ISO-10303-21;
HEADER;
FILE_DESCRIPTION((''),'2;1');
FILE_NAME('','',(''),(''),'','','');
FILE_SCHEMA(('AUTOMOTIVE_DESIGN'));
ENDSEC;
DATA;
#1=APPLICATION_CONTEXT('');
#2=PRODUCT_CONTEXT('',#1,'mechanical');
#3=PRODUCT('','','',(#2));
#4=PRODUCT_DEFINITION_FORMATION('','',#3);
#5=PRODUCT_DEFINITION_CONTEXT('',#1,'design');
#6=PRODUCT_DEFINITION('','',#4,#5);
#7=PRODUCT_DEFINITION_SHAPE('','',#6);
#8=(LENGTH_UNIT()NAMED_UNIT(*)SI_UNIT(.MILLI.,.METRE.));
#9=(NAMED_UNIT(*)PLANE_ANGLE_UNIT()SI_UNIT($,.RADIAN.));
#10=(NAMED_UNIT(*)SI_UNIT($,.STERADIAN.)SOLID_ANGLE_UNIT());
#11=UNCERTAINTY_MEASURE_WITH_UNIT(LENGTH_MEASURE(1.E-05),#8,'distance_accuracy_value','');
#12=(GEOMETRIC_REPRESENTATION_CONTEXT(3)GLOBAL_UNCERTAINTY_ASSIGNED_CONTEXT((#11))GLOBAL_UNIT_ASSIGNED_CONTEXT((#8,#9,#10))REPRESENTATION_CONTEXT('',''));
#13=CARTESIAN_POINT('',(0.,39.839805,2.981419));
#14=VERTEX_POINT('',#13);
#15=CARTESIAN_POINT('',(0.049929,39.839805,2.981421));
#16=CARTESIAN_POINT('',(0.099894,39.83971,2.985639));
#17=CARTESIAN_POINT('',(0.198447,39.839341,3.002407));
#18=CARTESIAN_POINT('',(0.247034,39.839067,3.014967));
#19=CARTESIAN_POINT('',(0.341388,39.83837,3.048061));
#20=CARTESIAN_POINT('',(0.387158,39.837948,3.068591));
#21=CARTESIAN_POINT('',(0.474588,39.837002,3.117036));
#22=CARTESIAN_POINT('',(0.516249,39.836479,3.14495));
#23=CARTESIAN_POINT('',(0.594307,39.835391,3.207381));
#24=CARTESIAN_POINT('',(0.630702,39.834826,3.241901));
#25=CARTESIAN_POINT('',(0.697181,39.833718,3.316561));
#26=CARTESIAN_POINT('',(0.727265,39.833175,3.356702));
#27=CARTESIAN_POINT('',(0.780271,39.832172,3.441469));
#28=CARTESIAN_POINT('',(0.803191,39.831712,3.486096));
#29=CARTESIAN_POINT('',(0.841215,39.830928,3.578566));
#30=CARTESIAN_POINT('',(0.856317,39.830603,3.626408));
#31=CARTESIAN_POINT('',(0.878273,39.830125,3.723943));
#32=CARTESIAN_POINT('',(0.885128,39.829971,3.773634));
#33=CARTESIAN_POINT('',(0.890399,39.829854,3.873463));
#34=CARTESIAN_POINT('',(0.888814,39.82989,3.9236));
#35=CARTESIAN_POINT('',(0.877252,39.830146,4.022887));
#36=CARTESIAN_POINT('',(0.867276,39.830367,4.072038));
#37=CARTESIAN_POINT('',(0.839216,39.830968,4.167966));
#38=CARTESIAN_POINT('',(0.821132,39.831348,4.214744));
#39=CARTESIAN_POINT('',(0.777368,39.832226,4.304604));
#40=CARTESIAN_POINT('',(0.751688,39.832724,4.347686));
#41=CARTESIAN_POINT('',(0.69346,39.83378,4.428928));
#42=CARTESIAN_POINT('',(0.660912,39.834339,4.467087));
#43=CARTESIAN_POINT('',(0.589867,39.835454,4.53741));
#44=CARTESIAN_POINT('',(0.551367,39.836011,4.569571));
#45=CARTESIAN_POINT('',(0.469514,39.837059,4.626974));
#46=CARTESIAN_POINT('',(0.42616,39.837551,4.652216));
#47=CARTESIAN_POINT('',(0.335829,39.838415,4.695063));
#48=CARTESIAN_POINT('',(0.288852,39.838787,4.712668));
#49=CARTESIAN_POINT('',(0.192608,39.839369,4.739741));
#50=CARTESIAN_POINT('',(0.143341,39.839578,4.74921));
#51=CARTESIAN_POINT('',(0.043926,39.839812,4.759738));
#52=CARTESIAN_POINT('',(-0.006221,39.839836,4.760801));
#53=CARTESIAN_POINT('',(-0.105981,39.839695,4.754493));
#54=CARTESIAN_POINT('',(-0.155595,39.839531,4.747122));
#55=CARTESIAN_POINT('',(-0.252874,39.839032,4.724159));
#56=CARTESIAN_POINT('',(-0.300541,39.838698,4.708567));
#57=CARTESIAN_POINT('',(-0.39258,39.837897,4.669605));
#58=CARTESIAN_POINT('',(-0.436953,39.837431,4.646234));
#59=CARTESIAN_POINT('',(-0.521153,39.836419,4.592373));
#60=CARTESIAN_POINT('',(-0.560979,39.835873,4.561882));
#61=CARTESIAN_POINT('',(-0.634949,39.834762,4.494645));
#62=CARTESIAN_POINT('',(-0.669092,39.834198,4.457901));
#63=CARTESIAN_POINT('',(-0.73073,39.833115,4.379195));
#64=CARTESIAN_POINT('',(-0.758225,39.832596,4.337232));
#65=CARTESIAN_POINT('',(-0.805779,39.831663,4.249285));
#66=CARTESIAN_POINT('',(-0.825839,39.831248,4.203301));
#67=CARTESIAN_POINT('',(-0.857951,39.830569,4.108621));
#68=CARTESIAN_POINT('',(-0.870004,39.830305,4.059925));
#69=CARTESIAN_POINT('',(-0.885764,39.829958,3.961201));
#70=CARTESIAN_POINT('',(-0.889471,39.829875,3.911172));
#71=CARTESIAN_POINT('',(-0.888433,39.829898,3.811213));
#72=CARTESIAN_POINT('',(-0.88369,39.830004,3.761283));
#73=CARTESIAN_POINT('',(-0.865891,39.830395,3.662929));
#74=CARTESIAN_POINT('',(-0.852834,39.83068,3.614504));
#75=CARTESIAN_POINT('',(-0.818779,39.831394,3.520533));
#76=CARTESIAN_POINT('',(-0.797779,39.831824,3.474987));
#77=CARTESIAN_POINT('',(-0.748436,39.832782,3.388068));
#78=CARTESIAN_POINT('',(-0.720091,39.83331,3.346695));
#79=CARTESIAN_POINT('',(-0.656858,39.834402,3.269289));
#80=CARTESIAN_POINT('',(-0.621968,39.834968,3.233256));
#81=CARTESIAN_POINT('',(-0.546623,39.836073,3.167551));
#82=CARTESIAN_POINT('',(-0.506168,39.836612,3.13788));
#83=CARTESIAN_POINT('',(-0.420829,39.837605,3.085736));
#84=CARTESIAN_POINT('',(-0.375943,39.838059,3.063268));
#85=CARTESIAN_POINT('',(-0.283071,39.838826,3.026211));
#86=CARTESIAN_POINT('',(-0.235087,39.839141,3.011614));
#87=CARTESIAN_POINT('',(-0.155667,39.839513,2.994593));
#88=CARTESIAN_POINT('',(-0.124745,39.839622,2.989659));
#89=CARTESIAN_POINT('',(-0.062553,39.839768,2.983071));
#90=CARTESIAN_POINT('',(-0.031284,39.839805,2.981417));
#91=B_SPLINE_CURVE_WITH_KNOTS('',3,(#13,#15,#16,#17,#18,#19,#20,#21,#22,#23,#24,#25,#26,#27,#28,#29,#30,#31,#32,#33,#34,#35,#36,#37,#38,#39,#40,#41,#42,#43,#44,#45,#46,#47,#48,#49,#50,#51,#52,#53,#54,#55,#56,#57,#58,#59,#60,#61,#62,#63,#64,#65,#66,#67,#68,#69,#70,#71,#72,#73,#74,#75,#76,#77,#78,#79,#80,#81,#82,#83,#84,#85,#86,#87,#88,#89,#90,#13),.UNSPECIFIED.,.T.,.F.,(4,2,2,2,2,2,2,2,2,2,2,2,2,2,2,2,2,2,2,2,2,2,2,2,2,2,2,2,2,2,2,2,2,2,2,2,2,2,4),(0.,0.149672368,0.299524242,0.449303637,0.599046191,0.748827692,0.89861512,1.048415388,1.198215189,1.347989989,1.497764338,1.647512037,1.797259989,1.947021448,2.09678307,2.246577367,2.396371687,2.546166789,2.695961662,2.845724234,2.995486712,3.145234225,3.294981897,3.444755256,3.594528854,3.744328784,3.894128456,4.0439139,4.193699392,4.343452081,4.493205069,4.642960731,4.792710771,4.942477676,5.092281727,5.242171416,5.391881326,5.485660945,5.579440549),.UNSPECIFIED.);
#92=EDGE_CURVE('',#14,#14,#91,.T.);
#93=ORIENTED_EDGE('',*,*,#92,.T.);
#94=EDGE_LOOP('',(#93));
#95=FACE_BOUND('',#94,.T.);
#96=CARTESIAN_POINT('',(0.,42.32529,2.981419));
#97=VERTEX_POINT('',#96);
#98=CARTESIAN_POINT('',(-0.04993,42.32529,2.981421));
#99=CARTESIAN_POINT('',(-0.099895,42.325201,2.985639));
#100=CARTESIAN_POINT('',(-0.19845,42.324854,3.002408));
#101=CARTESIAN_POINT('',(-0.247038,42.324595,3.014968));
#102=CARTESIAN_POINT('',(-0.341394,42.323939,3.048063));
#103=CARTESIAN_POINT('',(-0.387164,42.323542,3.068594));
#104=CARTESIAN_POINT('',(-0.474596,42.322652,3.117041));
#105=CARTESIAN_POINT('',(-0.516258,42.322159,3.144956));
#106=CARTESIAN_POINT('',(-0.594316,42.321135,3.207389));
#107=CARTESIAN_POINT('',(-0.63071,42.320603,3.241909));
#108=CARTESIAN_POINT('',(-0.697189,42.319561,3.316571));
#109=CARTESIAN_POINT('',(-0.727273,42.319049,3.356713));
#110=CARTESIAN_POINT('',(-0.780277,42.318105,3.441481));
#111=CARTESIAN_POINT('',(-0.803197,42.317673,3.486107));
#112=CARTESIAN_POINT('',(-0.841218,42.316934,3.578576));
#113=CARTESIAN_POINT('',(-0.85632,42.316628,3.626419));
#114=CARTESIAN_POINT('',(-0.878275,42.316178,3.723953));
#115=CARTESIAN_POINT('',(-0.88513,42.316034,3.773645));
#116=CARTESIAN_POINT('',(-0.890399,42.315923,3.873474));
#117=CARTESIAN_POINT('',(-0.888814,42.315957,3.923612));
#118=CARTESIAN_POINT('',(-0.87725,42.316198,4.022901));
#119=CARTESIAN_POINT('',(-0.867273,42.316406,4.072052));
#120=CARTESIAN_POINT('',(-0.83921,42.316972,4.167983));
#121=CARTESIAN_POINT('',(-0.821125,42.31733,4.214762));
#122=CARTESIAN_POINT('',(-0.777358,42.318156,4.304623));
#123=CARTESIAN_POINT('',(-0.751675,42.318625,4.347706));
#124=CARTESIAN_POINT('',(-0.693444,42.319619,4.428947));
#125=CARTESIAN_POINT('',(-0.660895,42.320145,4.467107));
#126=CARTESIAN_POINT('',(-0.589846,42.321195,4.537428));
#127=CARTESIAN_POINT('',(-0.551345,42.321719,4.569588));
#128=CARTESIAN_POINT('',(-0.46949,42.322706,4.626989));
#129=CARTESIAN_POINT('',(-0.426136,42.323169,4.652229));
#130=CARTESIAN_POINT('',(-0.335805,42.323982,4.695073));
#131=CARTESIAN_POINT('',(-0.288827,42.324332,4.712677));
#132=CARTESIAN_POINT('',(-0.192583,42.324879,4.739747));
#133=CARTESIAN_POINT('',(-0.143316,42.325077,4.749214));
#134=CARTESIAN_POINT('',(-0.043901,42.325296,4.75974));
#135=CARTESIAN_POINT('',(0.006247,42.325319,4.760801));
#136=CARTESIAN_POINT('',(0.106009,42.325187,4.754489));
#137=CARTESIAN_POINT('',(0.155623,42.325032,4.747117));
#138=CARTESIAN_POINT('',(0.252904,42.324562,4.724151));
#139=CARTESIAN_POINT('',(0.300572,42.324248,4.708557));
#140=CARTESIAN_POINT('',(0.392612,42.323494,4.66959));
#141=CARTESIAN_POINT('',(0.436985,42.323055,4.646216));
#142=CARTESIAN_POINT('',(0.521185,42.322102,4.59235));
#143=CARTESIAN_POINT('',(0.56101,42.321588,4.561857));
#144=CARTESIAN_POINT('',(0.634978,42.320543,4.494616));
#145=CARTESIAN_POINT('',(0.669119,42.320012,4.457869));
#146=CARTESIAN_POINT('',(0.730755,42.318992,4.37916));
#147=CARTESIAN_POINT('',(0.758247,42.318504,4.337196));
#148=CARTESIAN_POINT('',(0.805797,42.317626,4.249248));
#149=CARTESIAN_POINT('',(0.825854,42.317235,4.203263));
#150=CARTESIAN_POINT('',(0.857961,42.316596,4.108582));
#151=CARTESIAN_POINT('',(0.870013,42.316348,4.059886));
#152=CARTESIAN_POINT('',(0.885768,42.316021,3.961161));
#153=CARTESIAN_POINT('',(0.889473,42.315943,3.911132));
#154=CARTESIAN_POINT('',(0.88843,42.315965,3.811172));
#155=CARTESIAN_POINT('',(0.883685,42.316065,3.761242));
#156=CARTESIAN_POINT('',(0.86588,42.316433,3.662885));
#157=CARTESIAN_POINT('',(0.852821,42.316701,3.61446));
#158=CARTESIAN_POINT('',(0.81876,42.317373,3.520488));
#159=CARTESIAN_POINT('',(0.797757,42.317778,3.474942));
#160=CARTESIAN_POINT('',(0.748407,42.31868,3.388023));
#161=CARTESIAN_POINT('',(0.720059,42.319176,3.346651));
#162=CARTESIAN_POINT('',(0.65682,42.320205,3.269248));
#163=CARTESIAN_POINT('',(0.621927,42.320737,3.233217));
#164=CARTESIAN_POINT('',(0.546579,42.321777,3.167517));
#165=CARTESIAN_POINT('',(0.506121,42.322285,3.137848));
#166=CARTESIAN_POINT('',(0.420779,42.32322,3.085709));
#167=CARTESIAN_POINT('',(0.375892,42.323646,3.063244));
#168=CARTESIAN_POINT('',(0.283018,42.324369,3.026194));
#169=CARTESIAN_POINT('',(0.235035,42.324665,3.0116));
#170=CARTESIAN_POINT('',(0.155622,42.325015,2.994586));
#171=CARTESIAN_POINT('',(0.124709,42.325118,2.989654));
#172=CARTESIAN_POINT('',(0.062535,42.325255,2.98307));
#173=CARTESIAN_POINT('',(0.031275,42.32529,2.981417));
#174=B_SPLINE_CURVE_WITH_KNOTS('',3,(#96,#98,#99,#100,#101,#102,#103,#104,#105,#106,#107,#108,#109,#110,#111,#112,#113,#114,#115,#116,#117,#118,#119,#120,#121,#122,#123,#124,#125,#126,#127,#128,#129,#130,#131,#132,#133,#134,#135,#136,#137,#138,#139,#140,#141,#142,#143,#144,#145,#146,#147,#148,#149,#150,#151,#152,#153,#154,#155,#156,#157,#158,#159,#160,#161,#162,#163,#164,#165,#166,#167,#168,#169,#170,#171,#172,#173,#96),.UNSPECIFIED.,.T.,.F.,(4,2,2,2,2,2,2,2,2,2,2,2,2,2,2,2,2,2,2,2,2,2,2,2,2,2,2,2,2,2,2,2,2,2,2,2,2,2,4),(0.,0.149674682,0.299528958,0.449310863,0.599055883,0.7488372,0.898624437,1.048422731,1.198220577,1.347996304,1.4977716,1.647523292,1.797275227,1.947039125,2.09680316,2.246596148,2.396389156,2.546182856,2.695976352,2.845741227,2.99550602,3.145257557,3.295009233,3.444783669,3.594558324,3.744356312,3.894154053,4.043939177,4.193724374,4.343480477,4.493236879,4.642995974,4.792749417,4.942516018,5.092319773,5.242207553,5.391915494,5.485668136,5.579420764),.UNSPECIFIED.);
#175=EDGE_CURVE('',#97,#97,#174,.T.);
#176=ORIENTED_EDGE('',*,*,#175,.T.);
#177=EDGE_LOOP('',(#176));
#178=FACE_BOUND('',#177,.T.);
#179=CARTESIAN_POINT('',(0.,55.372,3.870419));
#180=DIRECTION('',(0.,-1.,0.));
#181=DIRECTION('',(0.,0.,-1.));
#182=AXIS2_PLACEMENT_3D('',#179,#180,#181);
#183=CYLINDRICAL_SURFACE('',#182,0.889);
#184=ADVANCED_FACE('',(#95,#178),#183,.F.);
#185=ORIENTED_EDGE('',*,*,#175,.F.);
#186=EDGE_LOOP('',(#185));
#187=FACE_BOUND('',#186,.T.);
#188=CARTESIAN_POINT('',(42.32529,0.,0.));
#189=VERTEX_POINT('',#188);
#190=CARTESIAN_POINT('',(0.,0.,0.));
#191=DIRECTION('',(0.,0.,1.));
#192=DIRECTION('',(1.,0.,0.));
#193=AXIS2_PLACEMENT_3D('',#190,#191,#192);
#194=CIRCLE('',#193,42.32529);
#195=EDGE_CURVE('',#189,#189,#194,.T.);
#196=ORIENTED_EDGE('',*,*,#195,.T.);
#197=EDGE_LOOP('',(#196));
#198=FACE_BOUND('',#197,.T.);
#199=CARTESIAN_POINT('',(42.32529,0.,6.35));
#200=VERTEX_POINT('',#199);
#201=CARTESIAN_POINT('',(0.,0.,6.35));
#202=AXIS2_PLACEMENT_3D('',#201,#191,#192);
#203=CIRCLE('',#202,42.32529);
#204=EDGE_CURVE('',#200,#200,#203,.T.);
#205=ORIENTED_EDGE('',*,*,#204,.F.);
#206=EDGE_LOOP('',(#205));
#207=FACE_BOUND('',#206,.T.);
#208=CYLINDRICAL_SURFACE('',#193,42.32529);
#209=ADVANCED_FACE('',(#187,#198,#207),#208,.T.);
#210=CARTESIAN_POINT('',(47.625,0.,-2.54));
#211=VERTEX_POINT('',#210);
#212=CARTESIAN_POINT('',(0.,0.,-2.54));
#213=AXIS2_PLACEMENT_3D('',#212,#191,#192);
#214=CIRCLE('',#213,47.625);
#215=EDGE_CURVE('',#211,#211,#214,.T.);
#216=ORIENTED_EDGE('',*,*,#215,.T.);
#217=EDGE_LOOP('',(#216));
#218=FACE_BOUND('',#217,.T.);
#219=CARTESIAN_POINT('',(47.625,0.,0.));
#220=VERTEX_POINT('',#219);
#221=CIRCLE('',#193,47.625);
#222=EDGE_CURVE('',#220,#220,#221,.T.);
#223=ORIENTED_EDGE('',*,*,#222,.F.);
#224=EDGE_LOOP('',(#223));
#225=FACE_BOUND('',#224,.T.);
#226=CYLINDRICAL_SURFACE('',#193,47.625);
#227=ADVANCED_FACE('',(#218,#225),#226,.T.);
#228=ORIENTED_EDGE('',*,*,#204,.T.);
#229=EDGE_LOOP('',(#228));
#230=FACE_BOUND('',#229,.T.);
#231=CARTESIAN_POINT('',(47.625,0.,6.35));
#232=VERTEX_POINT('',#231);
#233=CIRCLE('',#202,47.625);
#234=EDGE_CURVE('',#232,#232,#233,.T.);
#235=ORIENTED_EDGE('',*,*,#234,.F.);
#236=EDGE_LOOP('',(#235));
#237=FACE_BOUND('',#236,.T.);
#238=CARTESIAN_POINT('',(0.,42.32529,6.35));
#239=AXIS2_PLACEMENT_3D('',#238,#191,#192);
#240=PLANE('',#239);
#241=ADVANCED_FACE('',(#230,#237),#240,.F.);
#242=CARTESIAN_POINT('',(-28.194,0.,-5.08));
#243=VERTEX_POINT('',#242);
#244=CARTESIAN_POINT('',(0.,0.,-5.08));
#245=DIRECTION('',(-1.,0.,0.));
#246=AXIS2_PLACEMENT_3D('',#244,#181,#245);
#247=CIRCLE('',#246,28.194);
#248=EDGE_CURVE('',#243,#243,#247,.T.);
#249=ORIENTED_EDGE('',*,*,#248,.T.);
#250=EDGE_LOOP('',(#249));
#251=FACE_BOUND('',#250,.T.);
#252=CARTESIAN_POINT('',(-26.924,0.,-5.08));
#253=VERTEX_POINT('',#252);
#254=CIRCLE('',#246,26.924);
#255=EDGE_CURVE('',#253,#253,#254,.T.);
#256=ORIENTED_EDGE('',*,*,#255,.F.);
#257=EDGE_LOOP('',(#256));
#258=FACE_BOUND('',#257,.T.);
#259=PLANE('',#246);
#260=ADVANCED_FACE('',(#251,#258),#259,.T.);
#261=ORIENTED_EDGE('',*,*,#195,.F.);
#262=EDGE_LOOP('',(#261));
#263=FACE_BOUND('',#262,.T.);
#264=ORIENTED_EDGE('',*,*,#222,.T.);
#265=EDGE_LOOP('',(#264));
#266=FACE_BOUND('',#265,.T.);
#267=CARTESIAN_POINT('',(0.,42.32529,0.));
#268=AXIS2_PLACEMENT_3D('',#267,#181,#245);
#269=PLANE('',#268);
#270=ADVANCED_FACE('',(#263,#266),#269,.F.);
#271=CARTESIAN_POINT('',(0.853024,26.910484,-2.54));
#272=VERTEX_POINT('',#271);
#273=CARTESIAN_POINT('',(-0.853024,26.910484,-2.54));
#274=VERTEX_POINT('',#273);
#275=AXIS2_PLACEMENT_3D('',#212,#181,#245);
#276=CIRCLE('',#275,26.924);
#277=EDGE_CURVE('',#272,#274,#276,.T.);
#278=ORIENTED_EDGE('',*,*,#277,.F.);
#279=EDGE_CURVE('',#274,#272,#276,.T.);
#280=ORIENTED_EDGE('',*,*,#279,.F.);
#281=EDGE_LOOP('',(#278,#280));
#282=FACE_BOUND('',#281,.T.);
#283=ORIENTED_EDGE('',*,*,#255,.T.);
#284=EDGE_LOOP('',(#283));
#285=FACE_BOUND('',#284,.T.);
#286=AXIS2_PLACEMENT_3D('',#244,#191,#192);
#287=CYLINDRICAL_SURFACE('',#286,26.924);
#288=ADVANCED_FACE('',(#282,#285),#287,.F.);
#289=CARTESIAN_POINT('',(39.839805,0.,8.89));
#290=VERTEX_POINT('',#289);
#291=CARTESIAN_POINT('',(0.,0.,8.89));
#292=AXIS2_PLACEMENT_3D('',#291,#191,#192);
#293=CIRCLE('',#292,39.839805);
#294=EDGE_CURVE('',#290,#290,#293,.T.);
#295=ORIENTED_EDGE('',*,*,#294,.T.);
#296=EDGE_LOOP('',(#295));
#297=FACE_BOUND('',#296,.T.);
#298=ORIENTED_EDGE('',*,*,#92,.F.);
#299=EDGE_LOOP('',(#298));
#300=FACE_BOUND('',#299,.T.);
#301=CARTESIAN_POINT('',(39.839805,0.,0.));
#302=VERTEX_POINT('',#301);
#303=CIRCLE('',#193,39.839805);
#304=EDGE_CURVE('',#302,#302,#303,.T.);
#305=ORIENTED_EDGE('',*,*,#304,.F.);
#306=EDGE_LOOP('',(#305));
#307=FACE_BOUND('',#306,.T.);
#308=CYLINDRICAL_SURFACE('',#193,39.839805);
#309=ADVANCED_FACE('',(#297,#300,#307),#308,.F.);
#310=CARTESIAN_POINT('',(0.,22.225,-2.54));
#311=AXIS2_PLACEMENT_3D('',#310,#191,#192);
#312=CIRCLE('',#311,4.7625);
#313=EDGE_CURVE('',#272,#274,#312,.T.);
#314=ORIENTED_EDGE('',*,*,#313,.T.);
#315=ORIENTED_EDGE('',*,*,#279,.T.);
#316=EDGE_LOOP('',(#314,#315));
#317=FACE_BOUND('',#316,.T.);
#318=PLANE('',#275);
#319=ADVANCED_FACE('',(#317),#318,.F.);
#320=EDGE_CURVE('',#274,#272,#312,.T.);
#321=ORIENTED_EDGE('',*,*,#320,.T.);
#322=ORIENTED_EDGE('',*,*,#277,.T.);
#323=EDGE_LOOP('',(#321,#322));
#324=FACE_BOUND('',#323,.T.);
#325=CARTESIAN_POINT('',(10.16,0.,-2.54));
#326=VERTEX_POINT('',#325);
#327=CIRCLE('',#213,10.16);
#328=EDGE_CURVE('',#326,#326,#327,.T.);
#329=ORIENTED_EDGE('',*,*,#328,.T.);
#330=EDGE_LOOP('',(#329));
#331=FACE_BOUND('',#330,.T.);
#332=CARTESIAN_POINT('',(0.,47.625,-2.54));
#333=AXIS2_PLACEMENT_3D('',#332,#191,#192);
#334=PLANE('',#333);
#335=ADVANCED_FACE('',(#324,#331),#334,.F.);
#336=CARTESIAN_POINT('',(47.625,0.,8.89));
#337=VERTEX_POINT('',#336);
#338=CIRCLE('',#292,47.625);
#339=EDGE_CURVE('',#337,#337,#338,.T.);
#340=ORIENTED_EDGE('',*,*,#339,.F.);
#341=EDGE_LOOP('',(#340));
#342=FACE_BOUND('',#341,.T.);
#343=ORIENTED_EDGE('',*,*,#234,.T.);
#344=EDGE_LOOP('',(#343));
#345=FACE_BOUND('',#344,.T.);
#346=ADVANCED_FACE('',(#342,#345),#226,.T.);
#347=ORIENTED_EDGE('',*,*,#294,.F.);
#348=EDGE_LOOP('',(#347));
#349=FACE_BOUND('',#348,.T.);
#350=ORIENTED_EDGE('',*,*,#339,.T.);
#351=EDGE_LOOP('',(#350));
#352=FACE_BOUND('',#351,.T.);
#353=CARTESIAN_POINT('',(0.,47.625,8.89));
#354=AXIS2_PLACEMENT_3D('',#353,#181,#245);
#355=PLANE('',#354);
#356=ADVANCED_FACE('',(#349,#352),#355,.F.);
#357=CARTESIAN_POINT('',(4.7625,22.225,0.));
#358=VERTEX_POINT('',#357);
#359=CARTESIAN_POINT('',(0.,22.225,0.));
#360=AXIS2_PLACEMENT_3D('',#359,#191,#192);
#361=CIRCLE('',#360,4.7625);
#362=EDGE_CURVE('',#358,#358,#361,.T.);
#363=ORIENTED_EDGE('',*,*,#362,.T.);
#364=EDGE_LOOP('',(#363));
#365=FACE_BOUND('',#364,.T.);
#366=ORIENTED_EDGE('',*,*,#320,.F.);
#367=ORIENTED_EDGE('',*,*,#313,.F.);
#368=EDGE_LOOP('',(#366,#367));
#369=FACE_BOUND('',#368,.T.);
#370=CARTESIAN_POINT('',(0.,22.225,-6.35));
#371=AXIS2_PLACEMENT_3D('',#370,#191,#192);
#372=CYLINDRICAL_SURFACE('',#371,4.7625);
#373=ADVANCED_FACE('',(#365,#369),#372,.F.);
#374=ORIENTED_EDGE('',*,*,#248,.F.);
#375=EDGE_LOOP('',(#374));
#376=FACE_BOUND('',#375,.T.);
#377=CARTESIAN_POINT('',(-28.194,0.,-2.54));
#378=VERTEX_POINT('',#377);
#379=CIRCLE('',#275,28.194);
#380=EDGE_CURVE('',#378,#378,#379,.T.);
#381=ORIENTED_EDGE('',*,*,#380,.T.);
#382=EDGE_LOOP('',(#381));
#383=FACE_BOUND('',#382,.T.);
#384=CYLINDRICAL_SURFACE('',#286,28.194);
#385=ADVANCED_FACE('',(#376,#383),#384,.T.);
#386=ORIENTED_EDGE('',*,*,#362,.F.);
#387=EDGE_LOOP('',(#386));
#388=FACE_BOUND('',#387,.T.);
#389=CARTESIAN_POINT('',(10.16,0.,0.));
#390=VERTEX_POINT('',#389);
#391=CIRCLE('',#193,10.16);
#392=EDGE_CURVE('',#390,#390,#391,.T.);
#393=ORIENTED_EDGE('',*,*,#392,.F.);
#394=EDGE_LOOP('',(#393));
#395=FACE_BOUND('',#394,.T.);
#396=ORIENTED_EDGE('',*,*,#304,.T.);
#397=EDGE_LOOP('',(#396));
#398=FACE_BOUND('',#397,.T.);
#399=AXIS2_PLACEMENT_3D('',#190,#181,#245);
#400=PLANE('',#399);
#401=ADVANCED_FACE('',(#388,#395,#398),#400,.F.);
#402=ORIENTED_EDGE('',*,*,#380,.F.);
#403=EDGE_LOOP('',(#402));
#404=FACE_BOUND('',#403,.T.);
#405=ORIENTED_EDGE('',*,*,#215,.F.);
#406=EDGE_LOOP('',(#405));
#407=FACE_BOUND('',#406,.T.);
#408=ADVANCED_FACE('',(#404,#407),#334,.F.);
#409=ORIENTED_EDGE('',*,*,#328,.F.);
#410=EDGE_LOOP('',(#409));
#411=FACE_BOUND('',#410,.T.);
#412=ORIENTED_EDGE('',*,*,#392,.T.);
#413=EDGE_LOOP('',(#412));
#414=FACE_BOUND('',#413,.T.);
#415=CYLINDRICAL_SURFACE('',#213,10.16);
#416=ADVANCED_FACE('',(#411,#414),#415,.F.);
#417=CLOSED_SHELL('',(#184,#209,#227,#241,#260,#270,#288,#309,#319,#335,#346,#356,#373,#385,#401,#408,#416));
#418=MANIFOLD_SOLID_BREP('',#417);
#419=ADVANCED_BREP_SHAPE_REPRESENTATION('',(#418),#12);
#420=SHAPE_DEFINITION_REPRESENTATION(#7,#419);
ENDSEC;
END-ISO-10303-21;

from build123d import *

# Parameters (mm, degrees)
SKETCH3_R           = 10.16
CUT_EXTRUDE1_DEPTH  = 2.54
SKETCH5_R           = 4.7625
CUT_EXTRUDE2_DEPTH  = 6.35
SKETCH11_R          = 0.889
CUT_EXTRUDE6_DEPTH  = 55.372
SKETCH12_R          = 28.194
SKETCH12_R_2        = 26.924
BOSS_EXTRUDE1_DEPTH = 2.54


with BuildPart() as part:
    # Sketch2 → Revolve1 (revolve)
    with BuildSketch(Plane(origin=(0, 0, 0), x_dir=(0, 0, -1), z_dir=(1, 0, 0))):
        Polygon((-6.35, 42.32529), (0, 42.32529), (0, 47.625), (2.54, 47.625), (2.54, 0), (0, 0), (0, 39.839805153), (-8.89, 39.839805153), (-8.89, 47.625), (-6.35, 47.625), align=None)
    revolve(axis=Axis((0, 0, 0), (0, 0, -1)))

    # Sketch3 → Cut-Extrude1 (cut)
    with BuildSketch(Plane.XY):
        Circle(SKETCH3_R)
    extrude(amount=-CUT_EXTRUDE1_DEPTH, mode=Mode.SUBTRACT)

    # Sketch5 → Cut-Extrude2 (cut)
    with BuildSketch(Plane.XY):
        with Locations((0, 22.225)):
            Circle(SKETCH5_R)
    extrude(amount=-CUT_EXTRUDE2_DEPTH, mode=Mode.SUBTRACT)

    # Sketch11 → Cut-Extrude6 (cut)
    with BuildSketch(Plane(origin=(0, 0, 0), x_dir=(1, 0, 0), z_dir=(0, 1, 0))):
        with Locations((0, -3.870418615)):
            Circle(SKETCH11_R)
    extrude(amount=CUT_EXTRUDE6_DEPTH, mode=Mode.SUBTRACT)

    # Sketch12 → Boss-Extrude1 (add)
    with BuildSketch(Plane(origin=(0, 0, -2.54), x_dir=(-1, 0, 0), z_dir=(0, 0, -1))):
        Circle(SKETCH12_R)
        Circle(SKETCH12_R_2, mode=Mode.SUBTRACT)
    extrude(amount=BOSS_EXTRUDE1_DEPTH)


solid = part.part
